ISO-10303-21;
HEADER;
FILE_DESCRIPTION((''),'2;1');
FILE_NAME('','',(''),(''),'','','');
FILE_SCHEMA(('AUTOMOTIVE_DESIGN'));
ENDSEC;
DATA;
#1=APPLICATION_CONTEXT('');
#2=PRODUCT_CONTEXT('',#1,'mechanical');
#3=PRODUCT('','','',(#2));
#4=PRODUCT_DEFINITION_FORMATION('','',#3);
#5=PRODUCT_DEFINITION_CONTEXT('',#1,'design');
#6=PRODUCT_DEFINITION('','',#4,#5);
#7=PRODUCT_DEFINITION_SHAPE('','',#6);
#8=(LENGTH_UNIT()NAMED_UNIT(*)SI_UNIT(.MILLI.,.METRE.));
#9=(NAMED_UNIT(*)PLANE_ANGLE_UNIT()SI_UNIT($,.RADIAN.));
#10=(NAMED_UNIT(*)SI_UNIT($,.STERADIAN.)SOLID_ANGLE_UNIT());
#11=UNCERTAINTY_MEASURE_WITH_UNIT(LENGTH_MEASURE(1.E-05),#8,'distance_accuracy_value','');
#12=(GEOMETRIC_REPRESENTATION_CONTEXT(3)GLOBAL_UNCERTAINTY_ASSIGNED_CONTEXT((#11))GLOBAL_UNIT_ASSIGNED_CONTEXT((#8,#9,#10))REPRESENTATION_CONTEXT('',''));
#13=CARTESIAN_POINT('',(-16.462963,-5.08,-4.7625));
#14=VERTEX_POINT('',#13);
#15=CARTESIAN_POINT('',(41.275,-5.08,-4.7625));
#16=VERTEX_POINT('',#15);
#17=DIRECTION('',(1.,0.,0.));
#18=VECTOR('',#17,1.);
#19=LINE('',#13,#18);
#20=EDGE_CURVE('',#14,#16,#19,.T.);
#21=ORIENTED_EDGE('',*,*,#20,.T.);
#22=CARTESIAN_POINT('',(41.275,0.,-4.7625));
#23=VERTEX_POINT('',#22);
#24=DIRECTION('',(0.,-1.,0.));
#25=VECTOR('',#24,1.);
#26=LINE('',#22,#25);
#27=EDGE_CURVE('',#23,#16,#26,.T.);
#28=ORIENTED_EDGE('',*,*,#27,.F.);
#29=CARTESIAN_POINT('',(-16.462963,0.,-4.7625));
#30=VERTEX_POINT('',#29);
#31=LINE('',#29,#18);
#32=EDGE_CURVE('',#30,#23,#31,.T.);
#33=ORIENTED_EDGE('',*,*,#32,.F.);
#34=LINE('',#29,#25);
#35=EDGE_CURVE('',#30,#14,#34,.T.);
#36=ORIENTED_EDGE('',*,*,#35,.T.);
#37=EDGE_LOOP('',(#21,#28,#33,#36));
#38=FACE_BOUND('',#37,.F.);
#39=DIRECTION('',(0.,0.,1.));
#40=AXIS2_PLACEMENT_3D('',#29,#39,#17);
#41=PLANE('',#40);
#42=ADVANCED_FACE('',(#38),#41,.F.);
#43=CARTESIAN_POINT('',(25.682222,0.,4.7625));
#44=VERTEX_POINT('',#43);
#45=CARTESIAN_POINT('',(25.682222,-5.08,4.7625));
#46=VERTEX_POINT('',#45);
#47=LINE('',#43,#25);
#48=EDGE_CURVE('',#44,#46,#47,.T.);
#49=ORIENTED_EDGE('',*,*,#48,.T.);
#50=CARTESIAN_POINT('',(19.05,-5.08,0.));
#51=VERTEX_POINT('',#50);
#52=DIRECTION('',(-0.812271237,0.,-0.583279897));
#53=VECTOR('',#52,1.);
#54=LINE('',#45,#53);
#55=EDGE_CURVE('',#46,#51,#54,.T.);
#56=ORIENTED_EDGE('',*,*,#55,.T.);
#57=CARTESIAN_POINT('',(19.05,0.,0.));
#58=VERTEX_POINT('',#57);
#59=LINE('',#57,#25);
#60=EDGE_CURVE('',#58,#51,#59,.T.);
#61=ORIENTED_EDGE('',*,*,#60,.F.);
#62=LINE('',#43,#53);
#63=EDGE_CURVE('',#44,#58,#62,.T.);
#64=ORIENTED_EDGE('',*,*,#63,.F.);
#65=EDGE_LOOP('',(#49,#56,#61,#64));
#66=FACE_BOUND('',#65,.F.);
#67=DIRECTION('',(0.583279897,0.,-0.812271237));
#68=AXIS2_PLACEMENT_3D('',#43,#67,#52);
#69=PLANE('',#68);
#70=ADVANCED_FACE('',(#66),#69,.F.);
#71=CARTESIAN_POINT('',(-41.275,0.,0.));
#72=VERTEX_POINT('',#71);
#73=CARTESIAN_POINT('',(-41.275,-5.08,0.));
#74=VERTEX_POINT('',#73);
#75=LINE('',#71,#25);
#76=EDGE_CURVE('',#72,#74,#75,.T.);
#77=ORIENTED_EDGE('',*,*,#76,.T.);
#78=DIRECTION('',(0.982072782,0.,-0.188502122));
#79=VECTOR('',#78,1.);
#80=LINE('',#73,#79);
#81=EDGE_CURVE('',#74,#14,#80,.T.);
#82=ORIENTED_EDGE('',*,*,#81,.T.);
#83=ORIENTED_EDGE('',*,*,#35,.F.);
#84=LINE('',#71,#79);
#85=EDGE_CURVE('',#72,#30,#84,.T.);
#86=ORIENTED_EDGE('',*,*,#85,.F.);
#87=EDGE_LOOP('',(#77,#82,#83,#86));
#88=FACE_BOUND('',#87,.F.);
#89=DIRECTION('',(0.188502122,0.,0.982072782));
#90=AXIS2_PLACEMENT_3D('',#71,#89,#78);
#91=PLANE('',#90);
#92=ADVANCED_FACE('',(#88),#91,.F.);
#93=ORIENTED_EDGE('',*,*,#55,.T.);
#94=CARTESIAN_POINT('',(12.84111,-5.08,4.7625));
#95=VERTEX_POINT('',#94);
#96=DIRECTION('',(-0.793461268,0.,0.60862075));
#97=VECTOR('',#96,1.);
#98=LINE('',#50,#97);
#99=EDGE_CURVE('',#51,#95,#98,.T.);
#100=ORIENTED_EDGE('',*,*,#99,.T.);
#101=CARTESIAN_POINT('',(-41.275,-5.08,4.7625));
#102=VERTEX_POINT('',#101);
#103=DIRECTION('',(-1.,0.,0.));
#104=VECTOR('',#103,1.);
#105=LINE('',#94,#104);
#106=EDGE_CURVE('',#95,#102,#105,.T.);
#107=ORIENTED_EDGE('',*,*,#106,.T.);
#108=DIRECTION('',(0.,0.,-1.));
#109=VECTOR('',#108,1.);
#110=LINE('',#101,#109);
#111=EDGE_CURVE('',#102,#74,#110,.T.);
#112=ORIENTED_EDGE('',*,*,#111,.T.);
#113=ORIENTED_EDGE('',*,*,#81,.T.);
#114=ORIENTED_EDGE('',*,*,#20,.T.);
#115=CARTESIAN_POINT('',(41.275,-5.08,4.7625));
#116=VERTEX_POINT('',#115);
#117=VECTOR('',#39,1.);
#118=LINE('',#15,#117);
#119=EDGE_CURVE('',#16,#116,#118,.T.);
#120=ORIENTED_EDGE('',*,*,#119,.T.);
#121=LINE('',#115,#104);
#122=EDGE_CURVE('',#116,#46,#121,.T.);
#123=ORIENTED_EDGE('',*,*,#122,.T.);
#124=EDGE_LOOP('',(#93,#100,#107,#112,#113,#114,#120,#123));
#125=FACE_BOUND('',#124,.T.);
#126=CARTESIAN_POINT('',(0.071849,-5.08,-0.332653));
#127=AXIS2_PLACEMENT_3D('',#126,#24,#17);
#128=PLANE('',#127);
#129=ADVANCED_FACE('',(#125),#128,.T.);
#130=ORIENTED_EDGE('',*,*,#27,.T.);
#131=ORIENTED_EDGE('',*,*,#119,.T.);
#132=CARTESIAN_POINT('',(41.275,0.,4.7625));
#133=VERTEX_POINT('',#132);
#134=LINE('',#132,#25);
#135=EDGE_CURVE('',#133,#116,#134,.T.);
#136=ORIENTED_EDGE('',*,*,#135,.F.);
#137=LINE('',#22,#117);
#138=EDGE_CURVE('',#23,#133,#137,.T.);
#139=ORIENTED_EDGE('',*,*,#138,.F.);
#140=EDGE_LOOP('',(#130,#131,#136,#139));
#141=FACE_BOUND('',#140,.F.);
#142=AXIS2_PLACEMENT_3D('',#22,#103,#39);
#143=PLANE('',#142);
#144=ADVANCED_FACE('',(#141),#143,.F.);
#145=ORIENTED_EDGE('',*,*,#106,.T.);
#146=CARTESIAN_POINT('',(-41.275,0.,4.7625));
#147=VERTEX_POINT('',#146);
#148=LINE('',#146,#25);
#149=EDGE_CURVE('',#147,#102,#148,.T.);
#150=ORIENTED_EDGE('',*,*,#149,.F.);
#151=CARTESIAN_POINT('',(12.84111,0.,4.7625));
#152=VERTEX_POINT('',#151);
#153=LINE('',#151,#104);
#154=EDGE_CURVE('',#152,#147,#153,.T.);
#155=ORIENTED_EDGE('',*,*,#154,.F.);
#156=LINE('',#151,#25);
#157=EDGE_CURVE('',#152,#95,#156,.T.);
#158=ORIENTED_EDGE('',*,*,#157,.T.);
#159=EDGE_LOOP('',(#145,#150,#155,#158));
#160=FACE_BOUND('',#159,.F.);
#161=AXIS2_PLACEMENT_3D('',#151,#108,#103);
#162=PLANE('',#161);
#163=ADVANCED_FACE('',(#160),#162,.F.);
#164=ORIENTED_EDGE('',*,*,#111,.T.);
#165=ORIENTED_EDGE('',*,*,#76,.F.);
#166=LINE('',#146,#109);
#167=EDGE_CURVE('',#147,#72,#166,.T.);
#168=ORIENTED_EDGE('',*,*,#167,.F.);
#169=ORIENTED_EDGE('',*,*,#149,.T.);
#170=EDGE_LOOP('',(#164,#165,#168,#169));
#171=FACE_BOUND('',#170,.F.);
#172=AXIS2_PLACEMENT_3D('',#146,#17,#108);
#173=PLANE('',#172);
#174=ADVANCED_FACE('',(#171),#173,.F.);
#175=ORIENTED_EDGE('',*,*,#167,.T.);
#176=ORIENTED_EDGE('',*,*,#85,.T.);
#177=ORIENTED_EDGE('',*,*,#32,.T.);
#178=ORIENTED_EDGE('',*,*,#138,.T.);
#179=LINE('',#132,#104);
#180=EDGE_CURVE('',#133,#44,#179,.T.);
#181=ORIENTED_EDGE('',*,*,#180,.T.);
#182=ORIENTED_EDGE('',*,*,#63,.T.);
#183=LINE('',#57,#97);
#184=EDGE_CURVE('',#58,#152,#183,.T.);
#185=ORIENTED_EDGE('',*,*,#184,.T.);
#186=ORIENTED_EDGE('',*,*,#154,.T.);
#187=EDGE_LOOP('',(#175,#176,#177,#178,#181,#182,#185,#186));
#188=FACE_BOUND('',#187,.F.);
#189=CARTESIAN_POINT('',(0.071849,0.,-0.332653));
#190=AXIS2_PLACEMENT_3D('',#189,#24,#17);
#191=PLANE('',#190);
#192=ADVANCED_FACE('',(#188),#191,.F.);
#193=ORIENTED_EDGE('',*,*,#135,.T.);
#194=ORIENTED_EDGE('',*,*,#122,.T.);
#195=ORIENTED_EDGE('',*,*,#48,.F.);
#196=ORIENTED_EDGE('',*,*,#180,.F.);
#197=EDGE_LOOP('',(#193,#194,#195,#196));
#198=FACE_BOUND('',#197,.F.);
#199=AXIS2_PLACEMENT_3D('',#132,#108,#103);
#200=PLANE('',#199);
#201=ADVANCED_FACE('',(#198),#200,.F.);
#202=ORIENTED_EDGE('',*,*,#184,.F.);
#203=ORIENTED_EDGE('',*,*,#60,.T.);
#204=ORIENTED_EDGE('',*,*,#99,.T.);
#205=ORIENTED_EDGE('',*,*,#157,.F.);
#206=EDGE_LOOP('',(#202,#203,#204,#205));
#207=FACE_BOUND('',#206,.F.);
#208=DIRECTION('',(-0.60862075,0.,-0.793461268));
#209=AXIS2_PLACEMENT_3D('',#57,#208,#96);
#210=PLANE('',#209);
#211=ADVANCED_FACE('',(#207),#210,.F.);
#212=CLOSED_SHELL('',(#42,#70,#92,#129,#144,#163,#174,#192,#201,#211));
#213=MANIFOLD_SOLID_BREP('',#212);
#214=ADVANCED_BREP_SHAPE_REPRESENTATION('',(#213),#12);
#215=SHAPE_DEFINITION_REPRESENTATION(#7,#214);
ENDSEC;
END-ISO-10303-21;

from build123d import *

# Parameters (mm, degrees)
F1_DEPTH = 5.08


with BuildPart() as f1:
    # F0 (on Front) → F1 (new body)
    with BuildSketch(Plane.XZ):
        Polygon((-16.462963, -4.7625), (41.275, -4.7625), (41.275, 0), (19.05, 0), (12.84111, 4.7625), (-41.275, 4.7625), (-41.275, 0), align=None)
        Polygon((19.05, 0), (41.275, 0), (41.275, 4.7625), (25.682222, 4.7625), align=None)
    extrude(amount=F1_DEPTH)


solid = f1.part
